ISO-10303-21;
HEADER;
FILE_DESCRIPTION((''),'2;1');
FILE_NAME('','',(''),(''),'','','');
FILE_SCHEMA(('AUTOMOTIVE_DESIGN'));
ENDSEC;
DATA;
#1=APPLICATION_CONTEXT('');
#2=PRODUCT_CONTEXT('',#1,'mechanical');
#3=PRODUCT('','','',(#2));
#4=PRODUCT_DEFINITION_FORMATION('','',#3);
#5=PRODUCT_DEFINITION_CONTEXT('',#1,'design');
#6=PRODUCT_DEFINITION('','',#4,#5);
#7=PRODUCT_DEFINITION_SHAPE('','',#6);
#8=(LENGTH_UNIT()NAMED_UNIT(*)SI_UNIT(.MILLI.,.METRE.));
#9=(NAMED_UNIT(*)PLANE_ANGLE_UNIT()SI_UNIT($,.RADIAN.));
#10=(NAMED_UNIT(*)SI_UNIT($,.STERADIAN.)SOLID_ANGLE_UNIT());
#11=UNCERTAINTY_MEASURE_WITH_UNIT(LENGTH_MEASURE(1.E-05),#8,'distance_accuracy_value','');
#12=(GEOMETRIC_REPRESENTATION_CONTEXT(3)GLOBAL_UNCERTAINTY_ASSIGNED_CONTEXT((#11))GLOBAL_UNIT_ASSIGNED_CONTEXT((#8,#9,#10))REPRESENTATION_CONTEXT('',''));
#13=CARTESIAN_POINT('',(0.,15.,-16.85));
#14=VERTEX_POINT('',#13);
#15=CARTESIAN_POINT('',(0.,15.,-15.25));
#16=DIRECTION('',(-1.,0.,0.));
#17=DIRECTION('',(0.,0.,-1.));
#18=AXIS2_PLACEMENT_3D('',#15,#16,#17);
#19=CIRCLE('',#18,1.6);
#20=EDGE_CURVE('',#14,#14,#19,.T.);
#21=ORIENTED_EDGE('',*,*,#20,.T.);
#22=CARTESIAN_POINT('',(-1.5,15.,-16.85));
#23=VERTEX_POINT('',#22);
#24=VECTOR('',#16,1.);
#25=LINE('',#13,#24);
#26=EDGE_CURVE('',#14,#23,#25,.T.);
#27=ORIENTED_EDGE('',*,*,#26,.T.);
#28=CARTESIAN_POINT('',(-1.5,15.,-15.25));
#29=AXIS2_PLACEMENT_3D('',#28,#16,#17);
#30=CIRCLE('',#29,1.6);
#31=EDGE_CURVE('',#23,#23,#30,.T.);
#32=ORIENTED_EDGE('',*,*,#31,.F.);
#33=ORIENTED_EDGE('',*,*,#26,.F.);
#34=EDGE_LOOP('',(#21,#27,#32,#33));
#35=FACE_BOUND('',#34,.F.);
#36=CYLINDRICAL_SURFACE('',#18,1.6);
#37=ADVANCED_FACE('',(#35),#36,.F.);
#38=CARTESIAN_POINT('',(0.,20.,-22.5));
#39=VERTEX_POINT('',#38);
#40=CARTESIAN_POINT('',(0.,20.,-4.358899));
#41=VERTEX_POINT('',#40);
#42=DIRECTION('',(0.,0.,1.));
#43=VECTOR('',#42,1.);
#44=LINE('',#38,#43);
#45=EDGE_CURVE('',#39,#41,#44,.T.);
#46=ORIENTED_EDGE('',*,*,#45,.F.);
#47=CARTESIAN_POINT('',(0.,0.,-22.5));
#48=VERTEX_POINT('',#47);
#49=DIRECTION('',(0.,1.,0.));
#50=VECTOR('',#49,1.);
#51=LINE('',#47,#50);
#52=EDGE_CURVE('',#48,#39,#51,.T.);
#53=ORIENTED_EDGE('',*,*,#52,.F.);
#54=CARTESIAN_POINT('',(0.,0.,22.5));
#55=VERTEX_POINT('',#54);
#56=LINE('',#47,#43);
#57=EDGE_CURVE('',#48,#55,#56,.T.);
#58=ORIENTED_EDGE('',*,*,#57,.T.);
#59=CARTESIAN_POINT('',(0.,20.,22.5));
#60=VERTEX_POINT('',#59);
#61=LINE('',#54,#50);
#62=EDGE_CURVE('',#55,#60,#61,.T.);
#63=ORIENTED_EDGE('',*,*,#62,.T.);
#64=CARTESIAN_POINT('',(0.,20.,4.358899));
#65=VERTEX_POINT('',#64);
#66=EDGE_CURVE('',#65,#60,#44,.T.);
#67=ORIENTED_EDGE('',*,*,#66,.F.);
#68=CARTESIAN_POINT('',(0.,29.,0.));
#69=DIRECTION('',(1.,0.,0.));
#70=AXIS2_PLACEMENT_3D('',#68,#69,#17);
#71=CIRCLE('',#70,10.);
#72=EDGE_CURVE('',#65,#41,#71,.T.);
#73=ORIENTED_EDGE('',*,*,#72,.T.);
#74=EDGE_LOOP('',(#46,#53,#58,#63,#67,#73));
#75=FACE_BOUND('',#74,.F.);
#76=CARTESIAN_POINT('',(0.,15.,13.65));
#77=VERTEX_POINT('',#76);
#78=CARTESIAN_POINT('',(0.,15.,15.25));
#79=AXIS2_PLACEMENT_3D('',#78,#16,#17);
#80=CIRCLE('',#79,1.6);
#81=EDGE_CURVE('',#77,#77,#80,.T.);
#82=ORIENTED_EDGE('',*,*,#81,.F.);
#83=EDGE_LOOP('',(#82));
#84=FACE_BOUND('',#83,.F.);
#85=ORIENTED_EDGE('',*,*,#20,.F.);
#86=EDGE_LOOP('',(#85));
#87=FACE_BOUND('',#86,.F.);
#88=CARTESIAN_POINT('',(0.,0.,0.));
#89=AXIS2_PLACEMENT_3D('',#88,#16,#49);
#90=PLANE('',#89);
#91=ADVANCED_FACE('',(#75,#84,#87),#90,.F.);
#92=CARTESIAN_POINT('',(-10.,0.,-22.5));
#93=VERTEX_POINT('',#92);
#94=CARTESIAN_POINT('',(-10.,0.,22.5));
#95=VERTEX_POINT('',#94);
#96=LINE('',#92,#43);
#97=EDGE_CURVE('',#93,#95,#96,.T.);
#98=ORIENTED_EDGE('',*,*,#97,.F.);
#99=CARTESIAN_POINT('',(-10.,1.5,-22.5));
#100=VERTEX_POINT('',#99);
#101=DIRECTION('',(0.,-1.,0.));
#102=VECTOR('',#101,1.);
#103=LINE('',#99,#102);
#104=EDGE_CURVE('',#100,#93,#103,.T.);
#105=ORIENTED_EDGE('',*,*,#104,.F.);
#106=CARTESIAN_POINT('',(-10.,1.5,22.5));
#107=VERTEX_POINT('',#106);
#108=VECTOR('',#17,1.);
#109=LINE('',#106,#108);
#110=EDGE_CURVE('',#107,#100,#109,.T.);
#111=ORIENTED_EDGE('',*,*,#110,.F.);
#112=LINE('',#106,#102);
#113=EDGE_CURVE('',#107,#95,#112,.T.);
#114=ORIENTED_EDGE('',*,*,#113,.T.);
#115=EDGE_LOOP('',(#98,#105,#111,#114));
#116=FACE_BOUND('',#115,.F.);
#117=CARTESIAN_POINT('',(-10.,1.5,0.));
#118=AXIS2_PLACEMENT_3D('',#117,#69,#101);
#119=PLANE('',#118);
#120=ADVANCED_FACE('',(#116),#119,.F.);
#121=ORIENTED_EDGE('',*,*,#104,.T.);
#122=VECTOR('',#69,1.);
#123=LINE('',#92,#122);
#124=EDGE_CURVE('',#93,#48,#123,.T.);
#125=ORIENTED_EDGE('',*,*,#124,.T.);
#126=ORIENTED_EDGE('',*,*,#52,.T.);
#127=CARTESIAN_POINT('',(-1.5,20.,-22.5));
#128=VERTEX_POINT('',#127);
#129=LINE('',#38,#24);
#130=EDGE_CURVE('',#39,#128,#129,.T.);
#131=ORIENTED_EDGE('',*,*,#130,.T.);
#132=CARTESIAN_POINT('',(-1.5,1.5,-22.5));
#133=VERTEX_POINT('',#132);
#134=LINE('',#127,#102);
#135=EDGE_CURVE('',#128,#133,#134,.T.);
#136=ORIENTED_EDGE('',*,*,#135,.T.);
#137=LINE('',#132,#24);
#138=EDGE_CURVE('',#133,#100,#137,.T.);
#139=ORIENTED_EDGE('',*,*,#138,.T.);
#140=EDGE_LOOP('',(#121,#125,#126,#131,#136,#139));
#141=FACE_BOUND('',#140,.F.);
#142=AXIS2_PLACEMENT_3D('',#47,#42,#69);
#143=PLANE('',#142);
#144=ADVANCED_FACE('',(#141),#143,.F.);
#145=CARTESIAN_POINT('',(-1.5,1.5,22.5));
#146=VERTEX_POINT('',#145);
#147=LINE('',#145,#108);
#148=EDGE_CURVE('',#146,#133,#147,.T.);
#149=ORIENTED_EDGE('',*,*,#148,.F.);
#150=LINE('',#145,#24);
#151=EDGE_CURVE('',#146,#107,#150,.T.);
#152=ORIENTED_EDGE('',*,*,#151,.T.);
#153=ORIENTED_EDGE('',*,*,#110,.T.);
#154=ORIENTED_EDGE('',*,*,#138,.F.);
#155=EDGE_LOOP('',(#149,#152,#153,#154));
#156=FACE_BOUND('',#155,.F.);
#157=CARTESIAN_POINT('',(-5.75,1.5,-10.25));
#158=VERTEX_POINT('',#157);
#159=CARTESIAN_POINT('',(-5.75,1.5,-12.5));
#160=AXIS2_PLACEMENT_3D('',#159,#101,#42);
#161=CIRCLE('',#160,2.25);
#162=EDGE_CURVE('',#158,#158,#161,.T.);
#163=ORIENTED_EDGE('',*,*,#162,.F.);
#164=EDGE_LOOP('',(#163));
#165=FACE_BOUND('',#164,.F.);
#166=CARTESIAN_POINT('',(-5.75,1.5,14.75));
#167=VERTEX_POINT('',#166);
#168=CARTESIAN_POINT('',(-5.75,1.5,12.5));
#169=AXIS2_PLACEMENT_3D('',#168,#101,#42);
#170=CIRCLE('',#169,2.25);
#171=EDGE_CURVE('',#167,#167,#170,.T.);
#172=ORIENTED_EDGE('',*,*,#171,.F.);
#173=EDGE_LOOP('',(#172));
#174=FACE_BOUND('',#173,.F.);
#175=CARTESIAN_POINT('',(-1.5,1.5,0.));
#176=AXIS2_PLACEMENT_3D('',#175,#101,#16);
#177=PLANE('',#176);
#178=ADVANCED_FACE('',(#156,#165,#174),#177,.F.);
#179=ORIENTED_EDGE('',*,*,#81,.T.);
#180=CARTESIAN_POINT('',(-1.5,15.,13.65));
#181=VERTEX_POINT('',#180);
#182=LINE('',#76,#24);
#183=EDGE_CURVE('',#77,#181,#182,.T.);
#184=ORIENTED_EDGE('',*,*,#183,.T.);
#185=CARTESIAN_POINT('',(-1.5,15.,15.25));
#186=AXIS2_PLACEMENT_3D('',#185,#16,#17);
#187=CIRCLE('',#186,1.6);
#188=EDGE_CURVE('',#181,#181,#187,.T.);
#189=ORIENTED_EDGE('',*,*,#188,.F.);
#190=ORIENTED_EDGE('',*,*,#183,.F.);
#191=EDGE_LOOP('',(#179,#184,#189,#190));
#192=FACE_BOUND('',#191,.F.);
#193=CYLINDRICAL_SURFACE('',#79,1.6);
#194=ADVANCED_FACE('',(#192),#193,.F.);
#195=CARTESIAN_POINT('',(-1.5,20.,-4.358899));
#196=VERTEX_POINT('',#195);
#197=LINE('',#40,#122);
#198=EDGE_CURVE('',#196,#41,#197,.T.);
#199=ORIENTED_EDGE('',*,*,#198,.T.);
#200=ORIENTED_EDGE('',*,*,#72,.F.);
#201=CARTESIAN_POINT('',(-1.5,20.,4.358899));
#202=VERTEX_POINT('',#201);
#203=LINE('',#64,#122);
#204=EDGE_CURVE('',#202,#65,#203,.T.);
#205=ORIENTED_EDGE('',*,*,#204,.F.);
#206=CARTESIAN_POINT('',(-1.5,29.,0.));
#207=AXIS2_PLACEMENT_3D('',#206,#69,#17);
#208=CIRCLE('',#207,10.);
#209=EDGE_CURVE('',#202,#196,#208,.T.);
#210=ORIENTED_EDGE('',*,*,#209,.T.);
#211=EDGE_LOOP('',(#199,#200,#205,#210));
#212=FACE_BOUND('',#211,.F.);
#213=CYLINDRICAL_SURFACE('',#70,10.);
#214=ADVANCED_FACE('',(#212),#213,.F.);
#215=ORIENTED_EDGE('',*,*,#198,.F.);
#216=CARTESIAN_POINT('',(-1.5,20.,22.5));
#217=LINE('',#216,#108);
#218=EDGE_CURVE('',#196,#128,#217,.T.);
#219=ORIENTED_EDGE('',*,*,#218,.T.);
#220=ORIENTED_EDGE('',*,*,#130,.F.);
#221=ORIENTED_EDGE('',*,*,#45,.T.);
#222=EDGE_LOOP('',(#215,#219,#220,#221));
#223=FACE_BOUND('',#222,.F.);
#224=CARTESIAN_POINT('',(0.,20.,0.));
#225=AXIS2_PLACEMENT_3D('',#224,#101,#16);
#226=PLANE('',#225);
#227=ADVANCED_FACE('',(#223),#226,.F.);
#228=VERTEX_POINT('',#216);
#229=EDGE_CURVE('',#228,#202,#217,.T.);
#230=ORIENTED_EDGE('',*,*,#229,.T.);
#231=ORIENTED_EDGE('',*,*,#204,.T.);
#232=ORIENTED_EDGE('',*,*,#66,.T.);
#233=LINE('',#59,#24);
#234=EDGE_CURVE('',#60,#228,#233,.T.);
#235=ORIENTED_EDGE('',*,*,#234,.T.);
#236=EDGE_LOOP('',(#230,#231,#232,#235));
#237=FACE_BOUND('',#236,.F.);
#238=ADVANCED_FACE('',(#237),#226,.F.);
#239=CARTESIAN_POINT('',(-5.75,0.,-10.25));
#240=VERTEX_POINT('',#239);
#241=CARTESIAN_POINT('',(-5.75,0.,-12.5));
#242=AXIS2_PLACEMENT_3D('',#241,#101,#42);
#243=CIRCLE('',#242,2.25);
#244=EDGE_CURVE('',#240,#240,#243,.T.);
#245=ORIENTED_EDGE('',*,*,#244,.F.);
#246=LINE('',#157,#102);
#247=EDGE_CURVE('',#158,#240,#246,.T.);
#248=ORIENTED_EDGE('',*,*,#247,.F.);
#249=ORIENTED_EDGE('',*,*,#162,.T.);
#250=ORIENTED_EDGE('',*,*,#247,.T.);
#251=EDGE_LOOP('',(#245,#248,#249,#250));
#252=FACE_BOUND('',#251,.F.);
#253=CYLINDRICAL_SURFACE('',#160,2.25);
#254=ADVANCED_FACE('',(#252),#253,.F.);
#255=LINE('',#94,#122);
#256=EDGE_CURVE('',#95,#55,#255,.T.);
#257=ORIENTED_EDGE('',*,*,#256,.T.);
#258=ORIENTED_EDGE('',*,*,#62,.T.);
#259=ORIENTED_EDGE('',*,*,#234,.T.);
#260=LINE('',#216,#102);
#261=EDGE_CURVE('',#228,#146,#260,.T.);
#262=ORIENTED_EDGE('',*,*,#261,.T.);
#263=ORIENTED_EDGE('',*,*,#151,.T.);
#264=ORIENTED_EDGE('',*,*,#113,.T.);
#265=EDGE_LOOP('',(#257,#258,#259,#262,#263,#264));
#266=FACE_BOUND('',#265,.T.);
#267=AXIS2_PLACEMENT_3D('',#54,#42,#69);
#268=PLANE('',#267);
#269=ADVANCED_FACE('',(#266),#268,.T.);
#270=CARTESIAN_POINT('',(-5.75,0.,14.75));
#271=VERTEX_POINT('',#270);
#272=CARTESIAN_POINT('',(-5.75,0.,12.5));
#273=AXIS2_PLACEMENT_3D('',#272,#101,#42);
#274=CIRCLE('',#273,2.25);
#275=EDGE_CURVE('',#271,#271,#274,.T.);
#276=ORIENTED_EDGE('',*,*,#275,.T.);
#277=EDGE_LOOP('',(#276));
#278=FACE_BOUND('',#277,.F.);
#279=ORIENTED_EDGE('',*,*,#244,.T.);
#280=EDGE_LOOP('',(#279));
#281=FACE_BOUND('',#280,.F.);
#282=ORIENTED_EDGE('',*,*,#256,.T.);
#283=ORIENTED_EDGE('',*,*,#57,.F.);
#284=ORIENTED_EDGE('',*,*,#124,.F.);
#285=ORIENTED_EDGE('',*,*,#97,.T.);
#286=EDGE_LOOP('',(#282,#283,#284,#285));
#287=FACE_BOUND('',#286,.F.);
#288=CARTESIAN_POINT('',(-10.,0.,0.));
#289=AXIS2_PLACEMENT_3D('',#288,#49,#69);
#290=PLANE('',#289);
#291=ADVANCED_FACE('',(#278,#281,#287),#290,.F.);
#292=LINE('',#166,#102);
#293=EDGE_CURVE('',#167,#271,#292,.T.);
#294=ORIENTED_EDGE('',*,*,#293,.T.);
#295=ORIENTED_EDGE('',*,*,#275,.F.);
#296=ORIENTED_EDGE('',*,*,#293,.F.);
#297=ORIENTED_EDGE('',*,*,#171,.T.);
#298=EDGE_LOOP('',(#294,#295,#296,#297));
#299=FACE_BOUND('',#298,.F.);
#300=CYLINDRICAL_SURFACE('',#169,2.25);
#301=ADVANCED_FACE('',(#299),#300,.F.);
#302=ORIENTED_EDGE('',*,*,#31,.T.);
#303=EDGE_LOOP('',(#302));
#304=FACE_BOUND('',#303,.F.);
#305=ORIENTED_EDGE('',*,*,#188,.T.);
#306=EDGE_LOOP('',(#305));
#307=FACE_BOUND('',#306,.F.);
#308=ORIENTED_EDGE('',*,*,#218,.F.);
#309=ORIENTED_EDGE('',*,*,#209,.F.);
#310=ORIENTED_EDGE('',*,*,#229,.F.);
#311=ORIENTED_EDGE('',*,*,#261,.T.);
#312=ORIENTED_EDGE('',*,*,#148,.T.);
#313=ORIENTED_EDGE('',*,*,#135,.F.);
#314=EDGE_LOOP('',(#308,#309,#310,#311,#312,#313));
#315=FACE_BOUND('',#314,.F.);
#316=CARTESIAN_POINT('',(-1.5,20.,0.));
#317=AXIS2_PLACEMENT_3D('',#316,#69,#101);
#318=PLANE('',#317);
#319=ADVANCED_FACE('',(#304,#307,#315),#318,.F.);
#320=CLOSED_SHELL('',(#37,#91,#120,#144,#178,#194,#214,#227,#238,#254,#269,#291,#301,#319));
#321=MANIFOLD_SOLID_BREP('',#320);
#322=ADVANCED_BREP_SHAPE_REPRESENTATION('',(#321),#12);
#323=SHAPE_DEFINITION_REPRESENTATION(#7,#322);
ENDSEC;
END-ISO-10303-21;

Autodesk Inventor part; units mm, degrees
ref_plane "YZ Plane" through (0, 0, 0) normal (1, 0, 0) x (0, 1, 0)
ref_plane "XZ Plane" through (0, 0, 0) normal (0, 1, 0) x (-1, 0, 0)
ref_plane "XY Plane" through (0, 0, 0) normal (0, 0, 1) x (1, 0, 0)
sketch "Náčrt1" plane through (0, 0, 0) normal (0, 0, 1) x (1, 0, 0)
  line L0 (-10, 0) -> (0, 0)
  line L1 (0, 0) -> (0, 20)
  line L2 (0, 20) -> (-1.5, 20)
  line L3 (-1.5, 20) -> (-1.5, 1.5)
  line L4 (-1.5, 1.5) -> (-10, 1.5)
  line L5 (-10, 1.5) -> (-10, 0)
  line L6 (-12, 0) -> (2, 0) projected
  line L7 (0, 24) -> (0, -4) projected
  point P0 (0, 0)
  dimension "d0" = 20
  dimension "d1" = 10
  dimension "d2" = 1.5
  dimension "d3" = 1.5
extrude "Vysunutí1" add sketch "Náčrt1" along normal mid plane 45
sketch "Náčrt2" plane through (-10, 1.5, 22.5) normal (0, 1, 0) x (1, 0, 0)
  line L0 (0, 0) -> (0, 45) projected
  line L1 (8.5, 0) -> (0, 0) projected
  line L2 (8.5, 45) -> (8.5, 0) projected
  line L3 (0, 45) -> (8.5, 45) projected
  point P0 (10, 22.5)
  point P1 (4.25, 35)
  point P2 (4.25, 10)
  point P3 (4.25, 0)
  dimension "d6" = 4.25
  dimension "d7" = 4.25
  dimension "d8" = 25
  dimension "d9" = 10
hole "Díra1" at (-5.75, 1.5, -12.5) at (-5.75, 1.5, 12.5) direction (0, -1, 0) diameter 4.5 end through all
sketch "Náčrt5" plane through (0, 0, 22.5) normal (1, 0, 0) x (0, 0, -1)
  line L0 (45, 20) -> (0, 20) projected
  line L1 (0, 0) -> (0, 20) projected
  line L2 (45, 0) -> (0, 0) projected
  line L3 (45, 20) -> (45, 0) projected
  line L4 (22.5, 0) -> (22.5, 47.1534) construction
  point P0 (22.5, 20)
  point P1 (37.75, 15)
  point P2 (7.25, 15)
  dimension "d41" = 30.5
  dimension "d42" = 5
  dimension "d43" = 47.1534
hole "Díra4" at (0, 15, -15.25) at (0, 15, 15.25) direction (-1, 0, 0) diameter 3.2 end through all
sketch "Náčrt6" plane through (0, 0, 22.5) normal (1, 0, 0) x (0, 0, -1)
  line L0 (22.5, 0) -> (22.5, 40) construction
  circle A0 centre (22.5, 29) radius 10
  point P0 (22.5, 19)
  point P1 (22.5, 20)
  dimension "d52" = 20
  dimension "d51" = 40
  dimension "d53" = 1
extrude "Vysunutí2" cut sketch "Náčrt6" against normal through all
properties part number "x_bracket_stepper" material "Hliník 6061"
